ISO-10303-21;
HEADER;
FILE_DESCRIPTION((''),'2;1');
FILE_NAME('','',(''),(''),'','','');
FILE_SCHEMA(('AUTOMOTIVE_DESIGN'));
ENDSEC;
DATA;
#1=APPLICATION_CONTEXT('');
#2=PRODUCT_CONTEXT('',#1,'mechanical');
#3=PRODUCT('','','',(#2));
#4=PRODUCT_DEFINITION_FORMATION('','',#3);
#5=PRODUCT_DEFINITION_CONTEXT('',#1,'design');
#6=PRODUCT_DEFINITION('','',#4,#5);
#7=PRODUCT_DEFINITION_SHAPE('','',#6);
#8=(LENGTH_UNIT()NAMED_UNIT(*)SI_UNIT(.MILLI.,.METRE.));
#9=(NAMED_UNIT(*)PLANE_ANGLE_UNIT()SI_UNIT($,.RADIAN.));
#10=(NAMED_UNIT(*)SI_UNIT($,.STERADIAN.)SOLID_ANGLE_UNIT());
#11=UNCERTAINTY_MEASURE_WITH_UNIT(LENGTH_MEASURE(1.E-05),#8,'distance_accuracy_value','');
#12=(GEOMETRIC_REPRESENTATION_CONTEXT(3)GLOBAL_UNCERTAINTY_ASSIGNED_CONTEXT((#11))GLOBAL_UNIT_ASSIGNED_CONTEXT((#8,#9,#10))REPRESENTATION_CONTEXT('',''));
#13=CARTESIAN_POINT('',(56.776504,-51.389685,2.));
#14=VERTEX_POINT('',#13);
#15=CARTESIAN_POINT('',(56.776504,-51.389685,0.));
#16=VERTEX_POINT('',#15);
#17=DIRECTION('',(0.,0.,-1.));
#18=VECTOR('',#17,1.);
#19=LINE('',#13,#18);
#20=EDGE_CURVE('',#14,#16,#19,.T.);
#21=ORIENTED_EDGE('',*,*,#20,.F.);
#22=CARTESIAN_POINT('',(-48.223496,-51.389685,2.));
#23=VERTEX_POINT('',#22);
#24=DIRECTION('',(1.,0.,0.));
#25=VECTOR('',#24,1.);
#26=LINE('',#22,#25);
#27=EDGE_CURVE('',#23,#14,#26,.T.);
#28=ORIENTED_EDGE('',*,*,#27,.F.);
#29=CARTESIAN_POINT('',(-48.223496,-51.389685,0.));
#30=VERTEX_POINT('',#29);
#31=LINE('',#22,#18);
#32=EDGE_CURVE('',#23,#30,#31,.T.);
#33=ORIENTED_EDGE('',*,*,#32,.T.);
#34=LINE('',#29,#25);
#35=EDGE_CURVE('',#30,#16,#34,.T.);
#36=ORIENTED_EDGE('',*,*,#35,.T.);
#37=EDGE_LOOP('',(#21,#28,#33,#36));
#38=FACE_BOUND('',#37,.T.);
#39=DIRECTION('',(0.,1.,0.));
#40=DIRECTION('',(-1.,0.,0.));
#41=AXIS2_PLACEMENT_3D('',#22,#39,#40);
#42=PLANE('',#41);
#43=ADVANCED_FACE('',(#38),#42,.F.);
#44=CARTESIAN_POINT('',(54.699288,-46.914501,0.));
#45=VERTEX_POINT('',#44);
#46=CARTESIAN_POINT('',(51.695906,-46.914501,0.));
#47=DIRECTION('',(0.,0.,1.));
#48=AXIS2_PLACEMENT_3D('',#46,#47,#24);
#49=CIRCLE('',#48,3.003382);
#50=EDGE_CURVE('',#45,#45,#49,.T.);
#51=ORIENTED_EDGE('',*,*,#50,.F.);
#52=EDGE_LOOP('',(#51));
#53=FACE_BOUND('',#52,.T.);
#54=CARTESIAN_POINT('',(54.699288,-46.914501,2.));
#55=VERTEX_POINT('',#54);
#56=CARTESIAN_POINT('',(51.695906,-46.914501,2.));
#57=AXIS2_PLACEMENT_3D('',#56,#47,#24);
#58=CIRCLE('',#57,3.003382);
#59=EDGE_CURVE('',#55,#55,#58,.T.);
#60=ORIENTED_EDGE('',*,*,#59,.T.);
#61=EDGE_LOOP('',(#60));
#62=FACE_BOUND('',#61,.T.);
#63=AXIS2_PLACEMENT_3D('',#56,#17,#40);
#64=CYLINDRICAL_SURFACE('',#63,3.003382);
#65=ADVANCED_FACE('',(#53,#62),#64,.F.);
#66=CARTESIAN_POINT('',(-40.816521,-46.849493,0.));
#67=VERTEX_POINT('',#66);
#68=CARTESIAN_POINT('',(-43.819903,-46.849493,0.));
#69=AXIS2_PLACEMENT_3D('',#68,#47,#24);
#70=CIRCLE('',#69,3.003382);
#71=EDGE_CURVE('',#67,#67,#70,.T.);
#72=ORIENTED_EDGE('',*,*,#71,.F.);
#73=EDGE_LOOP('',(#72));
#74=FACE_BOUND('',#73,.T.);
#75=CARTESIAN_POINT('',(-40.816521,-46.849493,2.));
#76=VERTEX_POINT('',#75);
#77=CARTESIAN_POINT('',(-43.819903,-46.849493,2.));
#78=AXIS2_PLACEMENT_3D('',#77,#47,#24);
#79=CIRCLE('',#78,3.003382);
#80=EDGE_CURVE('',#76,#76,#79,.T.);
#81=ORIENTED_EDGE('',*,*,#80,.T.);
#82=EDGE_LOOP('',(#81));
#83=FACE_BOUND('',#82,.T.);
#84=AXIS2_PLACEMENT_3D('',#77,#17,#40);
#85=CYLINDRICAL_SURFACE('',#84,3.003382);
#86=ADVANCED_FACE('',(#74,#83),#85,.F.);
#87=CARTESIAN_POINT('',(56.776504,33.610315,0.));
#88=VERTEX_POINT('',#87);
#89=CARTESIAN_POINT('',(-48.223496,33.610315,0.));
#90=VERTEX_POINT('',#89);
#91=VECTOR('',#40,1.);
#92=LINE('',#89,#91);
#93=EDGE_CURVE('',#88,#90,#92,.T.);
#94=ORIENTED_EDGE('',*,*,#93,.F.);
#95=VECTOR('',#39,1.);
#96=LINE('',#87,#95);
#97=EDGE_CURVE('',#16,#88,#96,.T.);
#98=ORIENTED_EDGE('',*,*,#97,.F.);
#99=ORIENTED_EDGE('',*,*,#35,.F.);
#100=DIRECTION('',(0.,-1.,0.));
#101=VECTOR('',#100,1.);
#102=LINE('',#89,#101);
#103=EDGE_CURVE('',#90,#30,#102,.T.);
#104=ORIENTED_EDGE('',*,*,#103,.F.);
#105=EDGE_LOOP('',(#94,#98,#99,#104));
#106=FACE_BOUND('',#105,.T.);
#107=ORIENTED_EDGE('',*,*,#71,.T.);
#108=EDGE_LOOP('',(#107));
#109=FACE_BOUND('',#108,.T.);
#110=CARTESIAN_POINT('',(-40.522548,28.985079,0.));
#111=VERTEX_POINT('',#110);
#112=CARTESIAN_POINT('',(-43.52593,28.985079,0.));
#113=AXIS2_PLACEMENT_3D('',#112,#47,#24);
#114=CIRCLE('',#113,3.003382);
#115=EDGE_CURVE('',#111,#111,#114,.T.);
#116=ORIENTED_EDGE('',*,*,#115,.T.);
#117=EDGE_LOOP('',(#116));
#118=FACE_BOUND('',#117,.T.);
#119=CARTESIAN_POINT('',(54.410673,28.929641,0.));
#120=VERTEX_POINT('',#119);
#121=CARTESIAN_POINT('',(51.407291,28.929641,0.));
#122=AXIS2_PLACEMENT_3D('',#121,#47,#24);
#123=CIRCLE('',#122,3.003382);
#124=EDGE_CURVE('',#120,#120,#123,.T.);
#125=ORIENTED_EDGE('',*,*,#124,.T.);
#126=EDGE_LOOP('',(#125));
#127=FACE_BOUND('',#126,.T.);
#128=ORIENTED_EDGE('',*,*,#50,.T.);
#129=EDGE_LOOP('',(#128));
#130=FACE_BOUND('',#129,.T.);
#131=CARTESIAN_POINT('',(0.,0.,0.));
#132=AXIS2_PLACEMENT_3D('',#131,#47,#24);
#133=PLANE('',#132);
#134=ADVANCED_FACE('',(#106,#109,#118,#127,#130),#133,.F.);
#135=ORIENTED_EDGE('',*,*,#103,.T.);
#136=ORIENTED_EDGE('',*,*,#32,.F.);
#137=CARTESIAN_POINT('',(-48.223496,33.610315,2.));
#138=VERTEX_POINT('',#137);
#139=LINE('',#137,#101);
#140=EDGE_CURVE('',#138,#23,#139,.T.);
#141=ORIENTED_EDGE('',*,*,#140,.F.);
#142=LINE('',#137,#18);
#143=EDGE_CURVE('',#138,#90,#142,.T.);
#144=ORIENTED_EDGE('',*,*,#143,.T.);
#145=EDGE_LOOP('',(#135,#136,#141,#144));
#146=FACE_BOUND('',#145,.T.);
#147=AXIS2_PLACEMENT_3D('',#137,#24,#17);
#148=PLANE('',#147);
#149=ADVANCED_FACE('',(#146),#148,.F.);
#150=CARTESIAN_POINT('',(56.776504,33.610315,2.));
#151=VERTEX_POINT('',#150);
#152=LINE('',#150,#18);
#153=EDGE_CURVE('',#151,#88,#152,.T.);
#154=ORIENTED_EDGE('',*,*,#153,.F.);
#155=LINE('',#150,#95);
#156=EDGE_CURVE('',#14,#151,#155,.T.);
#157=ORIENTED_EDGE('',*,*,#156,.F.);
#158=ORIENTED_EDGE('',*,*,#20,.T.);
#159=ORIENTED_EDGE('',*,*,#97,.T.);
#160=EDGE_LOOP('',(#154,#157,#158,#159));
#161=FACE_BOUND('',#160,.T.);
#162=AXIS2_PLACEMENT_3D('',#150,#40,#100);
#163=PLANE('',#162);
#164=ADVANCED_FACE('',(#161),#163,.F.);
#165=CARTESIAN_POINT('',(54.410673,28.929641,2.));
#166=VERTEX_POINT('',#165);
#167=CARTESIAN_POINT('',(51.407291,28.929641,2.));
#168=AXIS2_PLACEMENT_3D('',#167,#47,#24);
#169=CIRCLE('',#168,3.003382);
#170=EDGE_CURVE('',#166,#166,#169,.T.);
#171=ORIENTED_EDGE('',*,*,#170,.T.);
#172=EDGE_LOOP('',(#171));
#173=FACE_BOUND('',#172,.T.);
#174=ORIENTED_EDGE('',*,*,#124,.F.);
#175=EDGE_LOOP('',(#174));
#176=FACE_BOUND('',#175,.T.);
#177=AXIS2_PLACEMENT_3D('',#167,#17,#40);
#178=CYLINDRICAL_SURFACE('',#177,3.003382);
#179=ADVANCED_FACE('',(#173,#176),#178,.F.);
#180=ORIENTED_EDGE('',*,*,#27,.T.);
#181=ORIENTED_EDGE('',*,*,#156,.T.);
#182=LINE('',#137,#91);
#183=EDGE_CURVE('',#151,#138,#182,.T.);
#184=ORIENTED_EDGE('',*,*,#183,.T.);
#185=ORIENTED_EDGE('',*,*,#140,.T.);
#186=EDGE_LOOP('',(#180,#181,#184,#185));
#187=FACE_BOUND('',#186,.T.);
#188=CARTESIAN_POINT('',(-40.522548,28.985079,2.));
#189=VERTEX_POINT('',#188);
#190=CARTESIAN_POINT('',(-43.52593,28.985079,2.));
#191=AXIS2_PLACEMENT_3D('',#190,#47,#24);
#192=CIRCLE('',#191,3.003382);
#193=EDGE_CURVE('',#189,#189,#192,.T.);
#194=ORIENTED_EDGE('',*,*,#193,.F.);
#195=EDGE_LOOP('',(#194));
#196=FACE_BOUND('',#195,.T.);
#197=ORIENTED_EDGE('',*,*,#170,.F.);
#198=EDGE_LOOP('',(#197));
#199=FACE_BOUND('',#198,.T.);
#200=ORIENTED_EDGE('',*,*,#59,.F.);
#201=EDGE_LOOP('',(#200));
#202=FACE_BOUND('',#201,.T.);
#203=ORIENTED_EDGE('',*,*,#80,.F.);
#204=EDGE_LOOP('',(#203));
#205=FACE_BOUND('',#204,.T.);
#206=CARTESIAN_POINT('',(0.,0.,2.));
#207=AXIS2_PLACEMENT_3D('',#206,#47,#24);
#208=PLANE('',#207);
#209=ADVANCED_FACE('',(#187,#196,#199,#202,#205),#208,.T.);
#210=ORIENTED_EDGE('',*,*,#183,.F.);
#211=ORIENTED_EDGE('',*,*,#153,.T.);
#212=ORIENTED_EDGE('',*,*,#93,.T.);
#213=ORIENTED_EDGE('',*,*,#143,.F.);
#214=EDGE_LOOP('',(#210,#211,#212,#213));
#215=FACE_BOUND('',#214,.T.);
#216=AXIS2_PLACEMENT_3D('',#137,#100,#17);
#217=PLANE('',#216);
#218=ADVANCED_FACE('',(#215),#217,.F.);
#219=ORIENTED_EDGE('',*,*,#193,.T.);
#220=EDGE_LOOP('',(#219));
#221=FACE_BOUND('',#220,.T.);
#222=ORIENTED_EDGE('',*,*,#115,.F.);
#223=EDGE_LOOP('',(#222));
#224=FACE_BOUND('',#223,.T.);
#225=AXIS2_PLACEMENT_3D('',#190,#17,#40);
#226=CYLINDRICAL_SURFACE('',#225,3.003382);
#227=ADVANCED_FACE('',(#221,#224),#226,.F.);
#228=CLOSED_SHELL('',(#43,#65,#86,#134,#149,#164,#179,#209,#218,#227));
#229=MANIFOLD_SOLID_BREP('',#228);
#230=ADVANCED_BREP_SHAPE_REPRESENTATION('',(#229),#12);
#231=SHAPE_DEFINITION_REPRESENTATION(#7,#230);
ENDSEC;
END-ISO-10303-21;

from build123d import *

# Parameters (mm, degrees)
SKETCH2_W           = 105
SKETCH2_H           = 85
SKETCH2_R           = 3.003381929
BOSS_EXTRUDE1_DEPTH = 2


with BuildPart() as part:
    # Sketch2 → Boss-Extrude1 (new body)
    with BuildSketch(Plane.XY):
        with Locations((4.276504298, -8.889684814)):
            Rectangle(SKETCH2_W, SKETCH2_H)
        with Locations((-43.5259303, 28.985078975)):
            Circle(SKETCH2_R, mode=Mode.SUBTRACT)
        with Locations((51.407290981, 28.92964073)):
            Circle(SKETCH2_R, mode=Mode.SUBTRACT)
        with Locations((51.69590649, -46.914500559)):
            Circle(SKETCH2_R, mode=Mode.SUBTRACT)
        with Locations((-43.819903107, -46.849492866)):
            Circle(SKETCH2_R, mode=Mode.SUBTRACT)
    extrude(amount=BOSS_EXTRUDE1_DEPTH)


solid = part.part
